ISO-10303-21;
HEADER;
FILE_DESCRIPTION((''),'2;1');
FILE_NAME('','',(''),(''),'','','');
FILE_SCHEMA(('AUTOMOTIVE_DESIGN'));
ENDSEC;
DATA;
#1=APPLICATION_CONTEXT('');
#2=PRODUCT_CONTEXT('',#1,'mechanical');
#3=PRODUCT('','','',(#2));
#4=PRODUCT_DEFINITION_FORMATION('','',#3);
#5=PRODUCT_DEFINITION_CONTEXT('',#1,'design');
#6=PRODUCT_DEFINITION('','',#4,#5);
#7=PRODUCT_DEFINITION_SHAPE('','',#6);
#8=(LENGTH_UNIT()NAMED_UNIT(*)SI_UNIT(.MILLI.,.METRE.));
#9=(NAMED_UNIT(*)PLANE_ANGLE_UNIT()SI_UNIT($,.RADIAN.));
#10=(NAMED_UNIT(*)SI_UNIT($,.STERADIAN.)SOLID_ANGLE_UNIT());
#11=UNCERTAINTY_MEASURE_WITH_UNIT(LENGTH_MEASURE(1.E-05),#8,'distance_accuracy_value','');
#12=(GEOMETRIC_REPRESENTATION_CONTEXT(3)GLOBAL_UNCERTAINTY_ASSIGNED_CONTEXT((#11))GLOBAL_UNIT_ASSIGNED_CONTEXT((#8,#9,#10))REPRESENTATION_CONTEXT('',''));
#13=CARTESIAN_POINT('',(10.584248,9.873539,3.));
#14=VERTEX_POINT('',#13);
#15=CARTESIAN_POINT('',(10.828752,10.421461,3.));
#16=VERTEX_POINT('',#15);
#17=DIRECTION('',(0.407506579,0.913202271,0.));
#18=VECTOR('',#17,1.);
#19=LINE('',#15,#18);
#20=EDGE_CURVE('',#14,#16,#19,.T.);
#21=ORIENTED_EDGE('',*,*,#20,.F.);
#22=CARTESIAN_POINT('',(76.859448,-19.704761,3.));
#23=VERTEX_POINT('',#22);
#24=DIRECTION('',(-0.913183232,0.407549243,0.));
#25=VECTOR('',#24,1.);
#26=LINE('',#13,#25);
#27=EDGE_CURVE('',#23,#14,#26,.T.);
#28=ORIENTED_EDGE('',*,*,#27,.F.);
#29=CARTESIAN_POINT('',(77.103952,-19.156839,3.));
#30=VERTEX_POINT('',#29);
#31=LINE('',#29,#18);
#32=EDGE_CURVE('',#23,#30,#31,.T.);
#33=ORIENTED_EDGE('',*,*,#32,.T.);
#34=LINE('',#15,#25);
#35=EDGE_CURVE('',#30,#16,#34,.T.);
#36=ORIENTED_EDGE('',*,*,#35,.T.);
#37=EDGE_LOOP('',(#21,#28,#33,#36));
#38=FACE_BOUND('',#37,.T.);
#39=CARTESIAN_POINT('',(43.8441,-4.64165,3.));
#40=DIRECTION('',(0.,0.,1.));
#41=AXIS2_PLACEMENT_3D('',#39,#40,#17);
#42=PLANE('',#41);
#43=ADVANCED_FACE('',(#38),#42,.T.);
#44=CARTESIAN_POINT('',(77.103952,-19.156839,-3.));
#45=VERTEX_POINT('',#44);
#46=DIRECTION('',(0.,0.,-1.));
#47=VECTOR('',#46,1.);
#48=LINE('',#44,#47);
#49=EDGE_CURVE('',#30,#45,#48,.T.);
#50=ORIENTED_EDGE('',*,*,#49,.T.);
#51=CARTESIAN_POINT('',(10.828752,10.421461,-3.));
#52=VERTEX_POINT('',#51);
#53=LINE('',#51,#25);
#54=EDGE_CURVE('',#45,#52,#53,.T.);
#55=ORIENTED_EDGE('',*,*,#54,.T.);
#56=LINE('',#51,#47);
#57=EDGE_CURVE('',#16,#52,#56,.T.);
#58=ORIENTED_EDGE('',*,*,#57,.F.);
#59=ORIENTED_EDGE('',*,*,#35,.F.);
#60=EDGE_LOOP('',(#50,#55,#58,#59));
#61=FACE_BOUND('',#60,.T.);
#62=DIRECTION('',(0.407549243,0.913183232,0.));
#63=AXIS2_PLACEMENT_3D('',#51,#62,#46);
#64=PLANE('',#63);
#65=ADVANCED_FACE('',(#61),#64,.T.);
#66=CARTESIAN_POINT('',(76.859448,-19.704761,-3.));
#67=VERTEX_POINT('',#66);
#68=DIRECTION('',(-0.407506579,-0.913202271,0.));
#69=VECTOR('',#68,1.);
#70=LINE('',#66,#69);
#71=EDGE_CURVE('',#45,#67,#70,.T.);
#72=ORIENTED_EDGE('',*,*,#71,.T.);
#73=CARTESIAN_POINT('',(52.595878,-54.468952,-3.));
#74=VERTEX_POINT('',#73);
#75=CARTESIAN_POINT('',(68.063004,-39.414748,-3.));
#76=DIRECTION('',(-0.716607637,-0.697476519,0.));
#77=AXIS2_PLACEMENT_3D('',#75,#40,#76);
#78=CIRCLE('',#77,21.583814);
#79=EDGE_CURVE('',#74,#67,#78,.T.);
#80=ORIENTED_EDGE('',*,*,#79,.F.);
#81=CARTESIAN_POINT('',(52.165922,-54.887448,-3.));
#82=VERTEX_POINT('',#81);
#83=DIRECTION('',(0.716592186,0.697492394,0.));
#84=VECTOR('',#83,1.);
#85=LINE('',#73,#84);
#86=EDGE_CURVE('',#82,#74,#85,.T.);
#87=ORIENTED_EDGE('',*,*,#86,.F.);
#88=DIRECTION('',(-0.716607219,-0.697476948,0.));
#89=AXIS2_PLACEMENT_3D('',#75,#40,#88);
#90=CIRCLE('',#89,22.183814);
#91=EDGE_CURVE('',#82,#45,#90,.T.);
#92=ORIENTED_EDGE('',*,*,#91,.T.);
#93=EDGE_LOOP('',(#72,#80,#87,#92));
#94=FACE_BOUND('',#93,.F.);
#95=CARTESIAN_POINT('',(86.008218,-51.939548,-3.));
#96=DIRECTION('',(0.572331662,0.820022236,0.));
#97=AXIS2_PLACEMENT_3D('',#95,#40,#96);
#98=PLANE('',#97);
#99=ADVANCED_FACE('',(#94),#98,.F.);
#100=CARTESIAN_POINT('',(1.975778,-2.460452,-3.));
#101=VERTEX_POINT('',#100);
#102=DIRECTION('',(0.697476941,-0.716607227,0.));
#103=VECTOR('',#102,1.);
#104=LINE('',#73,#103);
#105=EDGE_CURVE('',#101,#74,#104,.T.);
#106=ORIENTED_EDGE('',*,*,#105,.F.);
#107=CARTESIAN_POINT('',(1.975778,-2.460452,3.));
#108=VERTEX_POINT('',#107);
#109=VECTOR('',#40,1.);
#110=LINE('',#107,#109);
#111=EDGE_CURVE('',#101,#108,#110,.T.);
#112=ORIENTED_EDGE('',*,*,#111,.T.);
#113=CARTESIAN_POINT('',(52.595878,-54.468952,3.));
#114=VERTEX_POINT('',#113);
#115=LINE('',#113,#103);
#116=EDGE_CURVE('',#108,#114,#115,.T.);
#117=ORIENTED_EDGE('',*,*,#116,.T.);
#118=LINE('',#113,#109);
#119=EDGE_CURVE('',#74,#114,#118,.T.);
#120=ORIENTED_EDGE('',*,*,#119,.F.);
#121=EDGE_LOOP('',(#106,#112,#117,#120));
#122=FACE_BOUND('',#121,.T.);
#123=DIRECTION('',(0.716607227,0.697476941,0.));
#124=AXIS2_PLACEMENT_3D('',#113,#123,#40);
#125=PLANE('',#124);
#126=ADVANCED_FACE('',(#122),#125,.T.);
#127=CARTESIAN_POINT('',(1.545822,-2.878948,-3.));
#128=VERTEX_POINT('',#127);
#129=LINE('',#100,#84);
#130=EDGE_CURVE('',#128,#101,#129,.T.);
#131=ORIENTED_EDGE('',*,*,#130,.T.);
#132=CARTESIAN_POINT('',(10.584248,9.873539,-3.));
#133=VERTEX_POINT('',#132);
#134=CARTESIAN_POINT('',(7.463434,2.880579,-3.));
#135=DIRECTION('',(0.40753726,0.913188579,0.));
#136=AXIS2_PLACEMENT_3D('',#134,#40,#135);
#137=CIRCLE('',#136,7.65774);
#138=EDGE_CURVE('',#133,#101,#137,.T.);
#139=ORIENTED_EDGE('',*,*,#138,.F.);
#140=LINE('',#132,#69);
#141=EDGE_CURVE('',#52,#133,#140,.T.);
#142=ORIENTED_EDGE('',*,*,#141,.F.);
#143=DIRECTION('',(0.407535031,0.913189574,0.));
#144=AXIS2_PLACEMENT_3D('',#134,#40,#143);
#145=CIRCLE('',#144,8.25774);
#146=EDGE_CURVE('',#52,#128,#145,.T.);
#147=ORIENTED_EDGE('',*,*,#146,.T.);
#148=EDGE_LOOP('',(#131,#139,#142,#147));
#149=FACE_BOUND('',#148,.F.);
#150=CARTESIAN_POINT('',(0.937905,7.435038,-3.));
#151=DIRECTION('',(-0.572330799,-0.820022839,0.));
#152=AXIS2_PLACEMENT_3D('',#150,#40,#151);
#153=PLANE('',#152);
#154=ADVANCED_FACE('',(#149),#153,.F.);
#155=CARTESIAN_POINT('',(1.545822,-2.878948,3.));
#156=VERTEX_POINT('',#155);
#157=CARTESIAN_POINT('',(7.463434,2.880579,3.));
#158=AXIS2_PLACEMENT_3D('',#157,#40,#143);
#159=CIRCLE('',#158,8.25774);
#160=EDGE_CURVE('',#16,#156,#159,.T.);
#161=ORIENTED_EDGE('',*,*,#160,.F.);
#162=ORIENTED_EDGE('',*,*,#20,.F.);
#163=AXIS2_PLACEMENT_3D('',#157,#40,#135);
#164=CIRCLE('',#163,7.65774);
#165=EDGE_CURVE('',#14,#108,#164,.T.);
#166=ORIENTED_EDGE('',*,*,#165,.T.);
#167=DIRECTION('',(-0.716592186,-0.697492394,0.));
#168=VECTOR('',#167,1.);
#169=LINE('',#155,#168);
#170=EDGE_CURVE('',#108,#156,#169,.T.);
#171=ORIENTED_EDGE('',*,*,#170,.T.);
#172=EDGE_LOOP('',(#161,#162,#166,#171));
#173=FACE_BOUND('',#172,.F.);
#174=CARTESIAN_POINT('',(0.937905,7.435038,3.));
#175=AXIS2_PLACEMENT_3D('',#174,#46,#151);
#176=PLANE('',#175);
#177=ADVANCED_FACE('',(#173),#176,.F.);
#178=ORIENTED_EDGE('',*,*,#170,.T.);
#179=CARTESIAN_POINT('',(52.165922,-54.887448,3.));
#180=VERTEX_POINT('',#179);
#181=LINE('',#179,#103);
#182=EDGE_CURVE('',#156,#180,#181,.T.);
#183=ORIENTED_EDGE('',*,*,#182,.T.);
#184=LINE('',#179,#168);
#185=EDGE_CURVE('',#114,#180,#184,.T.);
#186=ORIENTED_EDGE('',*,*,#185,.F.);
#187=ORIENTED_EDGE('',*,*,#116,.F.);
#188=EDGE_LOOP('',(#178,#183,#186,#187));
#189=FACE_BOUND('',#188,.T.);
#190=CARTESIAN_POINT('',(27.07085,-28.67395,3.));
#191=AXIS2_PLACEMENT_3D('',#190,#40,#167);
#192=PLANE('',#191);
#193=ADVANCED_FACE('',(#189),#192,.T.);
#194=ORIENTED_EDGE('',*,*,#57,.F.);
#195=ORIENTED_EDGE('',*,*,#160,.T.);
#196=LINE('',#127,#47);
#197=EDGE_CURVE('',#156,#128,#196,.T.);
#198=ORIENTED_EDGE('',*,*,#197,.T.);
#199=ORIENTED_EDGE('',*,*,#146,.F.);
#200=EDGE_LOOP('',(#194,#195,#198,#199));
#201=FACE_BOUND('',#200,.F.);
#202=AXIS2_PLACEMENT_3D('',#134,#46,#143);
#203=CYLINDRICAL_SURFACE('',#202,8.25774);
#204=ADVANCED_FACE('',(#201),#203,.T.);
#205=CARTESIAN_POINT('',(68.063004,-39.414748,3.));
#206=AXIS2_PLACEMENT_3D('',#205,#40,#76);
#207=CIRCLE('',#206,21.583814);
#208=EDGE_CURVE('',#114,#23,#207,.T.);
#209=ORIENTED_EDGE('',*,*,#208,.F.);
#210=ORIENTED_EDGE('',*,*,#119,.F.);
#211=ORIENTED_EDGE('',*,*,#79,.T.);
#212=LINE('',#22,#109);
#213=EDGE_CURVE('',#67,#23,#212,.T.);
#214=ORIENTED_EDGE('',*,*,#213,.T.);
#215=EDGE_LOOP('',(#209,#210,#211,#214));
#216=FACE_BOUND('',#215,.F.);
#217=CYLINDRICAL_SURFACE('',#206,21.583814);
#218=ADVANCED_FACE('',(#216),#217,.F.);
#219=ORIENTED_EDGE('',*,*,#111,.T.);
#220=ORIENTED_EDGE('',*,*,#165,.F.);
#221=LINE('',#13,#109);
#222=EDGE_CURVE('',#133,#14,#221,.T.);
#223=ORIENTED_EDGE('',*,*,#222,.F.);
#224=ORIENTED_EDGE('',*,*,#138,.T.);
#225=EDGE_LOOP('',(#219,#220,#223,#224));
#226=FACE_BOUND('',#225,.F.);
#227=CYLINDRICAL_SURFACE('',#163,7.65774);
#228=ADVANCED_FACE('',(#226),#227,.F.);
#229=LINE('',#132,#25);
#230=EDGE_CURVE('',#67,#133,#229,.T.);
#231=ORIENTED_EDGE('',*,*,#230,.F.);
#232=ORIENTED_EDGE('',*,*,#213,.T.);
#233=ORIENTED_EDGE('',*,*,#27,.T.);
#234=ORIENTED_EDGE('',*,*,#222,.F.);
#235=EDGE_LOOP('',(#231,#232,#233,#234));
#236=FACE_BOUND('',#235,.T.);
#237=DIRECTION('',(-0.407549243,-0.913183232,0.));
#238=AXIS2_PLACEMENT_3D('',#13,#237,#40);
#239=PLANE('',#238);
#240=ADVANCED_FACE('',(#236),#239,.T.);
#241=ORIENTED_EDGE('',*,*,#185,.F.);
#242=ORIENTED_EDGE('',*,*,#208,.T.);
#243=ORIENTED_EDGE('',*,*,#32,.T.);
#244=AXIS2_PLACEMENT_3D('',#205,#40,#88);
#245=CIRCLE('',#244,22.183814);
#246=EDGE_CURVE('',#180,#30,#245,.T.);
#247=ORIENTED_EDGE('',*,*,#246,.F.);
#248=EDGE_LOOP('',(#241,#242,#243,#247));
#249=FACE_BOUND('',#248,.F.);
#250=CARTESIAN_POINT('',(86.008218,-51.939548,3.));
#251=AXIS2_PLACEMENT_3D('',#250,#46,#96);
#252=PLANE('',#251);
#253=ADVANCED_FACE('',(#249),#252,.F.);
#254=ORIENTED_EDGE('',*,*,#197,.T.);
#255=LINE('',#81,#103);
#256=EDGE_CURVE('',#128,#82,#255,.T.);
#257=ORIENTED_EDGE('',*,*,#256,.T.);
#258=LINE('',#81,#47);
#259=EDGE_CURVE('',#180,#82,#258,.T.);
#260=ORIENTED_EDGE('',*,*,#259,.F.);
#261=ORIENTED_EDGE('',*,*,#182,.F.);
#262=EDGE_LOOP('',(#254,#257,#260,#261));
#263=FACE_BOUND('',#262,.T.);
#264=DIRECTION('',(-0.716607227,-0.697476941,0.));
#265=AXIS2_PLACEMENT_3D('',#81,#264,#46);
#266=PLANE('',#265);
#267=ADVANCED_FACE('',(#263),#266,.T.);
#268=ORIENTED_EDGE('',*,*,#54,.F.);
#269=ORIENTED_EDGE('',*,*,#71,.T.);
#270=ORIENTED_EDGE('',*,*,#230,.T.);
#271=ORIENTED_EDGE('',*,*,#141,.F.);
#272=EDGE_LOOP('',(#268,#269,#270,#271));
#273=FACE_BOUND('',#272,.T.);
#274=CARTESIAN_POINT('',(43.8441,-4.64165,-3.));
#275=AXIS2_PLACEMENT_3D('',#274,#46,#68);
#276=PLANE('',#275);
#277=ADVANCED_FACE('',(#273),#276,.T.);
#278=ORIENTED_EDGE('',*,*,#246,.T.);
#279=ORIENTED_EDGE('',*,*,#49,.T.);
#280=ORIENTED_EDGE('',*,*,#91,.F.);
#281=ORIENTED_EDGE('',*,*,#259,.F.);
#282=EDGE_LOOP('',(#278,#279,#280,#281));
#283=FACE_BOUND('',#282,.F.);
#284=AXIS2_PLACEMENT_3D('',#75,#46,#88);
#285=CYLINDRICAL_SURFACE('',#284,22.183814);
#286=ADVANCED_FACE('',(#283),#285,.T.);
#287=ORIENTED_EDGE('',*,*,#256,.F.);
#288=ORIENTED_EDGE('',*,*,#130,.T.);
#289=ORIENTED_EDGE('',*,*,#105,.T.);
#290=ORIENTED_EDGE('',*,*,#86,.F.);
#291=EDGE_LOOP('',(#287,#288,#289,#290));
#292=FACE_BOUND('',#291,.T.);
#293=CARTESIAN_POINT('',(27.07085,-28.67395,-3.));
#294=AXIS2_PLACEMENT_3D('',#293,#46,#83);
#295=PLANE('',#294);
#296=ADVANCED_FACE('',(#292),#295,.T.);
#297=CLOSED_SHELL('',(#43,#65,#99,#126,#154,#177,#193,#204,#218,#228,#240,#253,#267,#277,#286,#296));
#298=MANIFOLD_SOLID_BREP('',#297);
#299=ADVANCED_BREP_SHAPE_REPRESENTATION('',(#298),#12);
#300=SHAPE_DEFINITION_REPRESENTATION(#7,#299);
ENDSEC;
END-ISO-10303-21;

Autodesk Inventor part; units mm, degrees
sketch "Sketch Path" plane through (0, 0, 0) normal (0, 0, 1) x (1, 0, 0)
  arc A0 (10.7065, 10.1475) -> (1.7608, -2.6697) centre (7.4634, 2.8807) ccw
  arc A1 (52.3809, -54.6782) -> (76.9817, -19.4308) centre (68.063, -39.4147) ccw
  line L0 (52.3809, -54.6782) -> (1.7608, -2.6697)
  line L1 (10.7065, 10.1475) -> (76.9817, -19.4308)
ref_plane "Cross Section Plane" through (1.7608, -2.6697, 0) normal (0.6975, -0.7166, 0) x (0, 0, 1)
ref_plane "Work Plane2" through (7.4634, 2.8807, 0) normal (-1, 0, 0) x (0, 0, 1)
ref_plane "Work Plane3" through (68.063, -39.4147, 0) normal (-0.8813, 0.4725, 0) x (0, 0, 1)
sketch "Cross Section" plane through (1.7608, -2.6697, 0) normal (0.6975, -0.7166, 0) x (0, 0, 1)
  line L0 (-3, 0.3) -> (3, 0.3)
  line L1 (3, 0.3) -> (3, -0.3)
  line L2 (3, -0.3) -> (-3, -0.3)
  line L3 (-3, -0.3) -> (-3, 0.3)
  line L4 (-3, 0) -> (3, 0) construction
  point P0 (0, 0)
  point P1 (0, 0)
  dimension "d0" = 6
  dimension "d4" = 0.3
  dimension "d5" = 0.3
sweep "Belt" add profiles "Cross Section" path "Sketch Path"
equation "\"d0\" = da_B"
equation "\"d4\" = da_a"
equation "\"d5\" = da_a2"
equation "\"da_B\" = 6"
equation "\"da_pb\" = 2.5"
equation "\"da_L\" = 244.18214"
equation "\"da_a\" = 0.3"
equation "\"da_S\" = 1.5"
equation "\"da_Beta\" = 20deg"
equation "\"da_Ht\" = 0.7"
equation "\"da_H\" = 1.3"
equation "\"da_a2\" = 0.3"
properties part number "Synchronous Belt" material "Rubber"
